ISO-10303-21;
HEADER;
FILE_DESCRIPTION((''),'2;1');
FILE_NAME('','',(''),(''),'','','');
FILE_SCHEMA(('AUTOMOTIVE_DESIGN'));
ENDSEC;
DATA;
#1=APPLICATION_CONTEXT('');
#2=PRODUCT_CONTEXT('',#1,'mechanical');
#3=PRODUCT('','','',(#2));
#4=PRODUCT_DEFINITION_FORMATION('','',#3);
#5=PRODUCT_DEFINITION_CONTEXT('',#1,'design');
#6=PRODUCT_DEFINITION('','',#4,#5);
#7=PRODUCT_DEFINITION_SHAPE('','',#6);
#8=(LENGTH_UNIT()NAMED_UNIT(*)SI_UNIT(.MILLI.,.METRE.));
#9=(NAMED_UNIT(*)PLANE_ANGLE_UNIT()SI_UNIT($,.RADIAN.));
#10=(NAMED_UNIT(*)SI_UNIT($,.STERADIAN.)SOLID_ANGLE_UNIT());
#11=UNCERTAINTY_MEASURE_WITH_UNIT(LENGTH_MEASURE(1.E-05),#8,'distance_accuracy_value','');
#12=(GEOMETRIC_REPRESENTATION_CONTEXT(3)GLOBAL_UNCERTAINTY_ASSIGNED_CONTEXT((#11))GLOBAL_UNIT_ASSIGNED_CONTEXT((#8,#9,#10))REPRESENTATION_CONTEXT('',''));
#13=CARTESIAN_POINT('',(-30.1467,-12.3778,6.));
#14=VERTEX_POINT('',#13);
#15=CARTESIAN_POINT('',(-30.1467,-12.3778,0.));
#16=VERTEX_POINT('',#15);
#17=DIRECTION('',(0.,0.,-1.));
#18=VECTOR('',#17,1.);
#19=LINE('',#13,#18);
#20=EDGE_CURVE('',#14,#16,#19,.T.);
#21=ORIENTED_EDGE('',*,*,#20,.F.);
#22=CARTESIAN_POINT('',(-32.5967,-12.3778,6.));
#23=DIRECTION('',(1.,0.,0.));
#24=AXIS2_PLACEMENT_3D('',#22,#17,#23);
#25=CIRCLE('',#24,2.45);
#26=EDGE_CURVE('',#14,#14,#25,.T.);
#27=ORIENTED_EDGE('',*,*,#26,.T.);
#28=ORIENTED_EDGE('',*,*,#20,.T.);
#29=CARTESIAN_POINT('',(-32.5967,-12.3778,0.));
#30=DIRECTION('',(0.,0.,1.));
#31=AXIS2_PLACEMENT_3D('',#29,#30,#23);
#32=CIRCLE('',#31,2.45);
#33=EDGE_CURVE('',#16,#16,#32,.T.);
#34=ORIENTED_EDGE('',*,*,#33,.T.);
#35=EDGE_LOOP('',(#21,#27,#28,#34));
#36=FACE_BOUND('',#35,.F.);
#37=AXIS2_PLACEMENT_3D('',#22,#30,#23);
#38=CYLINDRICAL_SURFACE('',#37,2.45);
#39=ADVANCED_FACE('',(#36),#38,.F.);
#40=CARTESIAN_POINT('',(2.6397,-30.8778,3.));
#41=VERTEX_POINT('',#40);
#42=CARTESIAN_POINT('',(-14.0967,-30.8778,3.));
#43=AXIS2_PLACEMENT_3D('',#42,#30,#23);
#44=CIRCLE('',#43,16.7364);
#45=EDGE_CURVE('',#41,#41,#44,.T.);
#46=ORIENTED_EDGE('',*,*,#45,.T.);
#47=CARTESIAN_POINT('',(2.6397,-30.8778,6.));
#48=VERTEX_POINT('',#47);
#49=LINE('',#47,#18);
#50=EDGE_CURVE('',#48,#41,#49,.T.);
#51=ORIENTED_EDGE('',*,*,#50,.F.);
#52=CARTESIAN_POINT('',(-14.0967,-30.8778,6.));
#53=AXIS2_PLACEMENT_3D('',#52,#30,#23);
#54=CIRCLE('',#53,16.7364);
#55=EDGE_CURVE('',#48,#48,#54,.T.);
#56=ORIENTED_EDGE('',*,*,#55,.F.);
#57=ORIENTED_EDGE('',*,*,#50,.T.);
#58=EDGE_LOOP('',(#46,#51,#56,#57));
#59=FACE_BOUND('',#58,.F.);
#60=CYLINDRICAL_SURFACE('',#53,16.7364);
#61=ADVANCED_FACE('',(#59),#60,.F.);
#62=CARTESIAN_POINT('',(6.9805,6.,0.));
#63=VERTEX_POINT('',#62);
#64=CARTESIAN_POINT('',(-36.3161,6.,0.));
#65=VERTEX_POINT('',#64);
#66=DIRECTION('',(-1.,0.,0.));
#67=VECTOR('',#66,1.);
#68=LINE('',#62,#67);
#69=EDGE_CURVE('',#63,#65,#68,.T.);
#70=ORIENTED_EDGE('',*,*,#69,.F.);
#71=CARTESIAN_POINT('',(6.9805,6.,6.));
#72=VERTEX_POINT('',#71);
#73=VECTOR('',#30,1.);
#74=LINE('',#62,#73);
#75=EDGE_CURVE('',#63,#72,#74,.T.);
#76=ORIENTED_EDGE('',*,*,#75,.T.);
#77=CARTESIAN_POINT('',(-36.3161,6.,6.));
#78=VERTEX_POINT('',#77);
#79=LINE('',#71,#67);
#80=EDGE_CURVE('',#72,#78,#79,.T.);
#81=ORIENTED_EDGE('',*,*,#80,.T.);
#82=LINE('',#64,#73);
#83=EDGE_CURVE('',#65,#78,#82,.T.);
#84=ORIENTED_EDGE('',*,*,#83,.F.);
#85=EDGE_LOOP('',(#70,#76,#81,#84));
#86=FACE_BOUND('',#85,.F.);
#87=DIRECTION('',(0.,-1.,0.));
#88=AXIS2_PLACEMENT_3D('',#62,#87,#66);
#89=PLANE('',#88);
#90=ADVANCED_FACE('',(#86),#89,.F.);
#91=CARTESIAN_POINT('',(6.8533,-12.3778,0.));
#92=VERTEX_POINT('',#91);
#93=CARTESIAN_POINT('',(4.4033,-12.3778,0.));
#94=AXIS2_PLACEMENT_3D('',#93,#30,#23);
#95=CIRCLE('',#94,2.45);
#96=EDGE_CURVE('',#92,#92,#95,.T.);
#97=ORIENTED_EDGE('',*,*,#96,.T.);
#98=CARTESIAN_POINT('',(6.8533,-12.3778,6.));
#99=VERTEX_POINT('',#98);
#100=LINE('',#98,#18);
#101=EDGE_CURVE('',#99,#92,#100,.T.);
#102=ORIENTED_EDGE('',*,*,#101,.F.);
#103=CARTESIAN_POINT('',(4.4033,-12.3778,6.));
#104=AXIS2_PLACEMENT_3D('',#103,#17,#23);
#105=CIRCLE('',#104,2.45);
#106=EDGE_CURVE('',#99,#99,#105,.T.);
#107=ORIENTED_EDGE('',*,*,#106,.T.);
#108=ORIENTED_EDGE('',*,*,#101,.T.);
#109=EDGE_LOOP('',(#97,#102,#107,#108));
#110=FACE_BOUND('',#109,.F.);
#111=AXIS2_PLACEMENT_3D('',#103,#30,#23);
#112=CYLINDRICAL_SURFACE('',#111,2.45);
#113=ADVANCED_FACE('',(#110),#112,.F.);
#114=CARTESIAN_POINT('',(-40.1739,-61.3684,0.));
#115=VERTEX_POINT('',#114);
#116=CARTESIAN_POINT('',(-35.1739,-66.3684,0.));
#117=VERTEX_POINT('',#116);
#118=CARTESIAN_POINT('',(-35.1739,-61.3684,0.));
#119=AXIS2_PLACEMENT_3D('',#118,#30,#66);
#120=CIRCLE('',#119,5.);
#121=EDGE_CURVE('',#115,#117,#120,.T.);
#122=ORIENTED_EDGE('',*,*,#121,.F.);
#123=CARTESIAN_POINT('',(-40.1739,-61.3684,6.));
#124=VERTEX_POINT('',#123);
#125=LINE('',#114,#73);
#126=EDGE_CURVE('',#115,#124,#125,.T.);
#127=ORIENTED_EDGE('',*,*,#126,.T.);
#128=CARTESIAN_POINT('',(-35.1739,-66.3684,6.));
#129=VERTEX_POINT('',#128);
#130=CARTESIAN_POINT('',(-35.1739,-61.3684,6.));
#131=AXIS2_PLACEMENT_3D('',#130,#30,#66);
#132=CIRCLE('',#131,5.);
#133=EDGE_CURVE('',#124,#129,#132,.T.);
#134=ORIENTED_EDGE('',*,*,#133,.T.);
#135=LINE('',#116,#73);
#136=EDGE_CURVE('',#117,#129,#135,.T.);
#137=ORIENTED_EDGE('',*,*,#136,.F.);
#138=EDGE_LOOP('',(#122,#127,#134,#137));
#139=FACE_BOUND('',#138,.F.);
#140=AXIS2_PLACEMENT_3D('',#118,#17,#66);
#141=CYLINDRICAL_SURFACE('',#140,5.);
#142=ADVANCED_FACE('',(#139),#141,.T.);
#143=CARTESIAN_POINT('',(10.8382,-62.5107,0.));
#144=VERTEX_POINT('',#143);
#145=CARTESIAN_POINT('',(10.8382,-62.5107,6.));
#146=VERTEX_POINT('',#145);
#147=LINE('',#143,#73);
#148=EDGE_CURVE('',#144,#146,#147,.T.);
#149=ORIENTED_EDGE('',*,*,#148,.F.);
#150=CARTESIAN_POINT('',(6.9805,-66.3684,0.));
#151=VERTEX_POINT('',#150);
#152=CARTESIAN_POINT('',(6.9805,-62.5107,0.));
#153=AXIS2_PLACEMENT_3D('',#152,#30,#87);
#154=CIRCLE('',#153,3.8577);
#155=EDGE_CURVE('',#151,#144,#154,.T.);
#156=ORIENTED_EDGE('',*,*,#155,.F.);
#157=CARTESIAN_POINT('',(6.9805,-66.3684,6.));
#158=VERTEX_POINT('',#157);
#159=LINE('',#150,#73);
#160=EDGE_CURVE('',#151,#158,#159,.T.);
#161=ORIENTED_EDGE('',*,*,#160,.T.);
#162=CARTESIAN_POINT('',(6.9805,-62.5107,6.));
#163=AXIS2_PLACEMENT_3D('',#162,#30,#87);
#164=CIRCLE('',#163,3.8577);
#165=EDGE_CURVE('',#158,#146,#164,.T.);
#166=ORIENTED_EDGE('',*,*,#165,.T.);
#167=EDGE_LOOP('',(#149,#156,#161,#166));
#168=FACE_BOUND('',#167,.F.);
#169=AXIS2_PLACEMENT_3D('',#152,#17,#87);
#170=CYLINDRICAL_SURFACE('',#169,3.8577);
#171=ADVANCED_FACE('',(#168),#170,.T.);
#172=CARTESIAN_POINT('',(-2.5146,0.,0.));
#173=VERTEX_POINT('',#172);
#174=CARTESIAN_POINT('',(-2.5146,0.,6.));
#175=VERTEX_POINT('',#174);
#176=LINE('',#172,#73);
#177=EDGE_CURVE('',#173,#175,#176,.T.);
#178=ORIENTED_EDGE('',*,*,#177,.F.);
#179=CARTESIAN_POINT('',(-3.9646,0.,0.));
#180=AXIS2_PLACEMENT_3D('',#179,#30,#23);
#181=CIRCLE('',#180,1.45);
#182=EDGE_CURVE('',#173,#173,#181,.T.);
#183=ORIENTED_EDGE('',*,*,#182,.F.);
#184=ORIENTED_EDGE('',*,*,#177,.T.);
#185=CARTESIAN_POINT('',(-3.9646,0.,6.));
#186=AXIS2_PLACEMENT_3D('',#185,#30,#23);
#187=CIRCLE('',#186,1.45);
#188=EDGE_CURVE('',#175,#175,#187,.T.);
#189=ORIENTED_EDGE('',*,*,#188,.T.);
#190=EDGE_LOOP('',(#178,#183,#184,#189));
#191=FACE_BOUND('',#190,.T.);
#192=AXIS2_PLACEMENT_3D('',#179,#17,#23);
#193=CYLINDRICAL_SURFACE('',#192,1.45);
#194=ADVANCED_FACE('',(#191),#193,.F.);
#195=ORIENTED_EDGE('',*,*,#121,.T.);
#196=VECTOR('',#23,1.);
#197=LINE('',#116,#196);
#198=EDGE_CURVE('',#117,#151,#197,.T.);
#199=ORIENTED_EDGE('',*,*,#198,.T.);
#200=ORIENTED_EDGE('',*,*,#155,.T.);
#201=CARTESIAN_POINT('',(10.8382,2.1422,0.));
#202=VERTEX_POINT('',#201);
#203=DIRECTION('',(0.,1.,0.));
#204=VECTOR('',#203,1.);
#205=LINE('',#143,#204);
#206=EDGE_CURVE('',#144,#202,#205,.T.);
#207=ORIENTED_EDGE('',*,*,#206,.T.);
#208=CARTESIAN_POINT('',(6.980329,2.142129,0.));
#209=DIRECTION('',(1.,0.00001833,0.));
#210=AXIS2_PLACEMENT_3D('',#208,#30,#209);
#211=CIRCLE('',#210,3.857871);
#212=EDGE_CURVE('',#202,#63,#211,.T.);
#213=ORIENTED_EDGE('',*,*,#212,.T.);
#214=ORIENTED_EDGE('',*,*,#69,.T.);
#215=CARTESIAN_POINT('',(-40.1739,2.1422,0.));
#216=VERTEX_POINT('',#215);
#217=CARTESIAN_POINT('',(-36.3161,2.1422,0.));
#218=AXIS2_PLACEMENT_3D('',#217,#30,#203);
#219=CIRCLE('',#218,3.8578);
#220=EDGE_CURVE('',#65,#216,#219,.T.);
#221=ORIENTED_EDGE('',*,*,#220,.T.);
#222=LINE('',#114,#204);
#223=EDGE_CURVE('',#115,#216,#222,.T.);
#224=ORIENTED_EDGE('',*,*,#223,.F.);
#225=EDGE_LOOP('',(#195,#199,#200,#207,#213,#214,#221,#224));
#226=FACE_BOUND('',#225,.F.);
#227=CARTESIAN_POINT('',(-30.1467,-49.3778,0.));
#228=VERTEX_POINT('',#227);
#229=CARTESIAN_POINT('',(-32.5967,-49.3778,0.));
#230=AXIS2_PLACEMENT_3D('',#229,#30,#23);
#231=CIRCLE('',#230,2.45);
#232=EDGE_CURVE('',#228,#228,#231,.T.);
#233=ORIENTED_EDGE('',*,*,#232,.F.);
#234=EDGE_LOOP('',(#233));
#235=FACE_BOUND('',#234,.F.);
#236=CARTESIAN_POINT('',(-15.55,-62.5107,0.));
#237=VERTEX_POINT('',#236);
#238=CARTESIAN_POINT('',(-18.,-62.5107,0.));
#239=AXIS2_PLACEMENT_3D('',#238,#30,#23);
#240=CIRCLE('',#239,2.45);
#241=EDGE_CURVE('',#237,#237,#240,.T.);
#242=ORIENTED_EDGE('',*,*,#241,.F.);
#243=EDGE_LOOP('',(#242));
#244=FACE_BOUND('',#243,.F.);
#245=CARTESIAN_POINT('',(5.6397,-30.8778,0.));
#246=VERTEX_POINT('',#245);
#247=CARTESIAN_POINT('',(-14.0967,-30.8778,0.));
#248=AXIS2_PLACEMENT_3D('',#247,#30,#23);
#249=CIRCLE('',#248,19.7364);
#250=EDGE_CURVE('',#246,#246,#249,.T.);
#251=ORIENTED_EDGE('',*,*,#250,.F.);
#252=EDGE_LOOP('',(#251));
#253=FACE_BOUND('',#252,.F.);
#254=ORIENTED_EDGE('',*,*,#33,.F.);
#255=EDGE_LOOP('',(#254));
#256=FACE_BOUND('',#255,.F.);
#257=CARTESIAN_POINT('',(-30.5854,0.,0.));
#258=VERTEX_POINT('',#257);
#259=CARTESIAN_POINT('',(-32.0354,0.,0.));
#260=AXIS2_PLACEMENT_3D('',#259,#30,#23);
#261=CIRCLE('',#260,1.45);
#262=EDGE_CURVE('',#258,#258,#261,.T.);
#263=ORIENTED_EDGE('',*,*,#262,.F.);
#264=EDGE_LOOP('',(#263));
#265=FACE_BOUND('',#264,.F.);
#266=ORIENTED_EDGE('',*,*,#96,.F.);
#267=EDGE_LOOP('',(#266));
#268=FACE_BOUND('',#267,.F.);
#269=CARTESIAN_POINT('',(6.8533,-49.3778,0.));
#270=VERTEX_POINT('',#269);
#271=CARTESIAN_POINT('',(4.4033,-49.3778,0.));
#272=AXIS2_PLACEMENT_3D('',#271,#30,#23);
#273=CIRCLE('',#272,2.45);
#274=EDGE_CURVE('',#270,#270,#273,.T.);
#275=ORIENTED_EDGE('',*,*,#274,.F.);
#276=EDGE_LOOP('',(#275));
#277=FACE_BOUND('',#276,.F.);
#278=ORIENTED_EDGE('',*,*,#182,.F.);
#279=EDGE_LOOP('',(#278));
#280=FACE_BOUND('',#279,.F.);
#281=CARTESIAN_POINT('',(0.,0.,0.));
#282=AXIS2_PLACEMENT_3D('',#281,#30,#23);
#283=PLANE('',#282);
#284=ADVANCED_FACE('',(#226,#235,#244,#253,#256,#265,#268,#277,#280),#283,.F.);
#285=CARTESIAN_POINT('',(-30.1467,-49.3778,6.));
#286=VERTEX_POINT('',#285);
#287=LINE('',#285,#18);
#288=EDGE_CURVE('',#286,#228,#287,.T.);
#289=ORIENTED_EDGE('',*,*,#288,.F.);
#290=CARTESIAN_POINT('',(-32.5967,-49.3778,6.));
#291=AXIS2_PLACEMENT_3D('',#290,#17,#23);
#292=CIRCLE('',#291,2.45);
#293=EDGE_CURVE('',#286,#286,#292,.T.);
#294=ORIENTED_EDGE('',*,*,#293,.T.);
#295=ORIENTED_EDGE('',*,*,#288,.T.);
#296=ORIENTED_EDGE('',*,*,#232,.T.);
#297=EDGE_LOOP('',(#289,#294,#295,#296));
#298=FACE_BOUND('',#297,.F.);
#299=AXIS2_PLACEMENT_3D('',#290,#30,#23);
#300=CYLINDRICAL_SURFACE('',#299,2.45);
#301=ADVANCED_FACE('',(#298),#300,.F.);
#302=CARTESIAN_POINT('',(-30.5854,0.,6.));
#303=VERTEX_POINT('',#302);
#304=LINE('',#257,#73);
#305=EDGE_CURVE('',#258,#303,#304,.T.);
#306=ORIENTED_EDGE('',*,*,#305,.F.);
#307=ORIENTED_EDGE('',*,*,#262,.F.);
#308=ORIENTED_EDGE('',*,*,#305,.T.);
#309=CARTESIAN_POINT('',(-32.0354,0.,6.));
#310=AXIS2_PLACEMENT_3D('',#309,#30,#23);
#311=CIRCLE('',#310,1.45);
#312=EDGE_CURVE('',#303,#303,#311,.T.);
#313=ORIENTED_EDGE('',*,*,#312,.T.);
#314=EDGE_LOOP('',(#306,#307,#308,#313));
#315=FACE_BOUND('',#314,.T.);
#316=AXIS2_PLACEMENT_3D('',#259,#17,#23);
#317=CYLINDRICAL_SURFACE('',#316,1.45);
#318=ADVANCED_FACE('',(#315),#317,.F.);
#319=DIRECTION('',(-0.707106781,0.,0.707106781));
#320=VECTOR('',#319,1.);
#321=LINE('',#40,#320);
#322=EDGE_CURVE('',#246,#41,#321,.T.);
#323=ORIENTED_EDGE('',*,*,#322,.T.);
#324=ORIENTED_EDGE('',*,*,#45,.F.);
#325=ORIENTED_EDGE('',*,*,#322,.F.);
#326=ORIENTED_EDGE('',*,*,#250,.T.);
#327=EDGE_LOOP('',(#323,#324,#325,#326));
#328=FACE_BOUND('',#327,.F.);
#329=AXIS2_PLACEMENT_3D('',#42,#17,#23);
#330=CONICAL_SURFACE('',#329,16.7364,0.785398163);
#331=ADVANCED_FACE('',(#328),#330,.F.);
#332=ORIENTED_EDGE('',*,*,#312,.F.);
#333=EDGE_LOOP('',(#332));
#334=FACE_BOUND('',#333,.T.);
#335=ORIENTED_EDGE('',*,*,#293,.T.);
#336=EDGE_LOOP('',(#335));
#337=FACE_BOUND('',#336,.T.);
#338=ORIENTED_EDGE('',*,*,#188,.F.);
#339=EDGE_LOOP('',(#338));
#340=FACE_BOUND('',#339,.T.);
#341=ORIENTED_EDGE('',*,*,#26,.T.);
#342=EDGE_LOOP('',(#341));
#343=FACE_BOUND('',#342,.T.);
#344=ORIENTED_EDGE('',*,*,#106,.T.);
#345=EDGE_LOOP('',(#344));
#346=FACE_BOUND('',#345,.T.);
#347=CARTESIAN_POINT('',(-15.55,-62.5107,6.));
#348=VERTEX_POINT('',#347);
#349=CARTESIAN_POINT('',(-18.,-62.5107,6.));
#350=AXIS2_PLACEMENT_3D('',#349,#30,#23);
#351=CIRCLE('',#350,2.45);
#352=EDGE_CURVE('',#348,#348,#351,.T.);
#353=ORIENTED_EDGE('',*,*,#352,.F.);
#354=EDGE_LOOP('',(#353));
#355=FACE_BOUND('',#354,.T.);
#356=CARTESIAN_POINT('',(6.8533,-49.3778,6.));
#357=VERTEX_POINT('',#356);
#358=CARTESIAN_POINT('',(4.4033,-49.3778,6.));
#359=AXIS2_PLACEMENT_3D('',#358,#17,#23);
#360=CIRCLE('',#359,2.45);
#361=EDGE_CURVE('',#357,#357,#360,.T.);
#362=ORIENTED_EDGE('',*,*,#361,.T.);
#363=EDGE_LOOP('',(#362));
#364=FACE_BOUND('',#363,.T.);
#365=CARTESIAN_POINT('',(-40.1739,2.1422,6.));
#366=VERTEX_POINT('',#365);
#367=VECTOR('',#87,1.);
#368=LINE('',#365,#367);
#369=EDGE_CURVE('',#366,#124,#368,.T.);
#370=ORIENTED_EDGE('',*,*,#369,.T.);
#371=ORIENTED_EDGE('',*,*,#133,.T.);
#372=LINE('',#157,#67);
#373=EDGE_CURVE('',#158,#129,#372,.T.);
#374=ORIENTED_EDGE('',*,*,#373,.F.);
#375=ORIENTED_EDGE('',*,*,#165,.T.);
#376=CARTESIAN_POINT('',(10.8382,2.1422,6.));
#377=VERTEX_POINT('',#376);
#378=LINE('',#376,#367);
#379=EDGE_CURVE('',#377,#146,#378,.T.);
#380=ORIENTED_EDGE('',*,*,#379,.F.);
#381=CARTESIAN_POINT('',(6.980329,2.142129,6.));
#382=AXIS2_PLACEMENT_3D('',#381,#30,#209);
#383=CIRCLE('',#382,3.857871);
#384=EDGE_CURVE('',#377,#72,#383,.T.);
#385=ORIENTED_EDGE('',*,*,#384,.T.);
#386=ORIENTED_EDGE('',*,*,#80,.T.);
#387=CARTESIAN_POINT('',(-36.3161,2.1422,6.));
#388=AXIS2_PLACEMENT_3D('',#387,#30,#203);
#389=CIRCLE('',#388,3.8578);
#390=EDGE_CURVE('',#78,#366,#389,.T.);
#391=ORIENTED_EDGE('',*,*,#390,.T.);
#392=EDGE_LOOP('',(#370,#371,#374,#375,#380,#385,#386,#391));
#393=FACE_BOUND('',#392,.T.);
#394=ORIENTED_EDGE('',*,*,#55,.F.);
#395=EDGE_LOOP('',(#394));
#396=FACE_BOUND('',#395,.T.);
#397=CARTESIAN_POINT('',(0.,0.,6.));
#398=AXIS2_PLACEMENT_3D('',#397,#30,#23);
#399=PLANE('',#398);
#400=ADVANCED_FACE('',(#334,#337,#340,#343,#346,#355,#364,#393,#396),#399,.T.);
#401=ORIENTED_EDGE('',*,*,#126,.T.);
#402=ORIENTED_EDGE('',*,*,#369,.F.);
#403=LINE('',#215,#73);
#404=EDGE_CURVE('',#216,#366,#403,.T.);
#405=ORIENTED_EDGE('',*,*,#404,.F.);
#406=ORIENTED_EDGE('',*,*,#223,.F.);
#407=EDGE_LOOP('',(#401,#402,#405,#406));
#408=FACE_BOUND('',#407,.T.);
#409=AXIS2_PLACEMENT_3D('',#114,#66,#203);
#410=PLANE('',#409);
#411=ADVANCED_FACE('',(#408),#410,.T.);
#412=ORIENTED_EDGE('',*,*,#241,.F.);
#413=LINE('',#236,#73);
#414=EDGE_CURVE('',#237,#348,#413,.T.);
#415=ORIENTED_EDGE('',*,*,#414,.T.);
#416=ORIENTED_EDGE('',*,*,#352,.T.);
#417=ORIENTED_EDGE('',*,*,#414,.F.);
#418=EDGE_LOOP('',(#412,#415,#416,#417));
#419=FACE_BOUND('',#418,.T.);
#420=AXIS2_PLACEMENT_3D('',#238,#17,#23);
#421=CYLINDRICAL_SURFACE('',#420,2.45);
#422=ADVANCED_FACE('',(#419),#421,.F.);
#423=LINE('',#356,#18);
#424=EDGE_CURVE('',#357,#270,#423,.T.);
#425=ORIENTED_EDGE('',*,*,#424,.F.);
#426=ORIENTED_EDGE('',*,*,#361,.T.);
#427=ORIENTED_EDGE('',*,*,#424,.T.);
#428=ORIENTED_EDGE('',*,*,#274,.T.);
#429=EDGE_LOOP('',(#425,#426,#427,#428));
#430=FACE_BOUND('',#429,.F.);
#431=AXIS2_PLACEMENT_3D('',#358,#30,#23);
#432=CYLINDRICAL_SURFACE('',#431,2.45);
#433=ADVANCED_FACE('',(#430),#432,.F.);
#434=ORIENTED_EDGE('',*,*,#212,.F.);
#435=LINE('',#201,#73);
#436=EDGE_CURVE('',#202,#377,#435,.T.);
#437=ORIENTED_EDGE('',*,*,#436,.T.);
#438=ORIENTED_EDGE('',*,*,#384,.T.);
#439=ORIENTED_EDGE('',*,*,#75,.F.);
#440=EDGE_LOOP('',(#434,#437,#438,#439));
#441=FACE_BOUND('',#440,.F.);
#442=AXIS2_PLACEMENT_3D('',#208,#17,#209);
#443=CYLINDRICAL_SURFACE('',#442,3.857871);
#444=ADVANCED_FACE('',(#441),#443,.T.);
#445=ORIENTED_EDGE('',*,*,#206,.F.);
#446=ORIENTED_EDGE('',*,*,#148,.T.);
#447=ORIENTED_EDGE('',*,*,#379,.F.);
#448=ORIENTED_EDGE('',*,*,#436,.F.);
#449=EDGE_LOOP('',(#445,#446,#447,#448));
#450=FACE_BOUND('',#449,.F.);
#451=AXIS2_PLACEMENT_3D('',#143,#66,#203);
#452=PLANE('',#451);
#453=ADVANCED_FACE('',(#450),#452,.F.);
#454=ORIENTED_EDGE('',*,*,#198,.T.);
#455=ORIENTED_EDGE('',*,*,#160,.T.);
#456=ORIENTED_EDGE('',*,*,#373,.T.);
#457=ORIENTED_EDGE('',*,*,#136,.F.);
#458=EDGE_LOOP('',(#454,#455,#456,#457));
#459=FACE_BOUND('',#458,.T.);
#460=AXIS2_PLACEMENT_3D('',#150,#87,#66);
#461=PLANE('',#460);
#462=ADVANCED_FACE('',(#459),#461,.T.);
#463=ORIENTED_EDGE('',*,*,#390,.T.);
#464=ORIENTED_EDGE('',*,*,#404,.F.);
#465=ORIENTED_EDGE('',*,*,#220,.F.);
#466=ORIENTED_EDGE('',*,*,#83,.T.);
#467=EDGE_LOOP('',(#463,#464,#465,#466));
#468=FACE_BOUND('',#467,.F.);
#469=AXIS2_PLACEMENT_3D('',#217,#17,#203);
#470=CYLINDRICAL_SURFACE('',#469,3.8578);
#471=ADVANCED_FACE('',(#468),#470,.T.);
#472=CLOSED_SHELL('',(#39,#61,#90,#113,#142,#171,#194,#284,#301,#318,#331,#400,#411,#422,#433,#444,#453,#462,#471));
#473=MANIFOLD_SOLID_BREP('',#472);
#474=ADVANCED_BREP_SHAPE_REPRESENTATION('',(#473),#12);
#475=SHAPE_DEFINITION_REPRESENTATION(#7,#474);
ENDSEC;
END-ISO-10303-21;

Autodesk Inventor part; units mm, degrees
ref_plane "YZ Plane" through (0, 0, 0) normal (1, 0, 0) x (0, 1, 0)
ref_plane "XZ Plane" through (0, 0, 0) normal (0, 1, 0) x (-1, 0, 0)
ref_plane "XY Plane" through (0, 0, 0) normal (0, 0, 1) x (1, 0, 0)
ref_plane "Work Plane1" through (0, 0, 0) normal (0, 0, 1) x (1, 0, 0)
sketch "Sketch1" plane through (0, 0, 0) normal (0, 0, 1) x (1, 0, 0)
  line L0 (10.8382, -62.5107) -> (10.8382, 0.6668)
  line L1 (6.9805, -66.3684) -> (-18, -66.3684)
  line L2 (10.8382, -5.7047) -> (9.6808, -5.7047) construction
  line L3 (10.8382, 0.6668) -> (10.8382, 2.1422)
  line L4 (-40.1739, 0.853) -> (-40.1739, 2.1422)
  line L5 (6.9805, 6) -> (-36.3161, 6)
  circle A0 centre (-3.9646, 0) radius 1.45
  circle A1 centre (-32.0354, 0) radius 1.45
  circle A2 centre (-18, -62.5107) radius 2.45
  arc A3 (-20.665, -65.3) -> (-18, -66.3684) centre (-18, -62.5107) ccw
  arc A4 (6.9805, -66.3684) -> (10.8382, -62.5107) centre (6.9805, -62.5107) ccw
  arc A5 (-36.3161, 6) -> (-40.1739, 2.1422) centre (-36.3161, 2.1422) ccw
  arc A6 (10.8382, 2.1422) -> (6.9805, 6) centre (6.9805, 2.1422) ccw
  line L6 (-18, -66.3684) -> (-35.1739, -66.3684)
  line L7 (-40.1739, -61.3684) -> (-40.1739, 0.853)
  arc A7 (-40.1739, -61.3684) -> (-35.1739, -66.3684) centre (-35.1739, -61.3684) ccw
  point P0 (0, 0)
  point P1 (10.8382, 6)
  point P2 (-40.1739, 6)
  dimension "d6" = 2.9
  dimension "d7" = 2.9
  dimension "d32" = 90
  dimension "d46" = 5
  dimension "d47" = 62.5107
  dimension "d48" = 28.0709
  dimension "d49" = 64.067
extrude "Extrusion1" add sketch "Sketch1" along normal blind 6
sketch "Sketch8" plane through (0, 0, 6) normal (0, 0, 1) x (1, 0, 0)
  circle A0 centre (-18, -62.5107) radius 2.45 projected
  circle A1 centre (-32.0354, 0) radius 1.45 projected
  circle A2 centre (-3.9646, 0) radius 1.45 projected
  line L0 (-35.1739, -66.3684) -> (6.9805, -66.3684) projected
  arc A3 (6.9805, -66.3684) -> (10.8382, -62.5107) centre (6.9805, -62.5107) ccw projected
  line L1 (10.8382, -62.5107) -> (10.8382, 2.1422) projected
  arc A4 (10.8382, 2.1422) -> (6.9805, 6) centre (6.9805, 2.1422) ccw projected
  line L2 (6.9805, 6) -> (-36.3161, 6) projected
  arc A5 (-36.3161, 6) -> (-40.1739, 2.1422) centre (-36.3161, 2.1422) ccw projected
  line L3 (-40.1739, 2.1422) -> (-40.1739, -61.3684) projected
  arc A6 (-40.1739, -61.3684) -> (-35.1739, -66.3684) centre (-35.1739, -61.3684) ccw projected
  circle A7 centre (-14.0967, -30.8778) radius 16.7364
  line L4 (4.4033, -49.3778) -> (-32.5967, -49.3778)
  line L5 (-32.5967, -49.3778) -> (-32.5967, -12.3778)
  line L6 (-32.5967, -12.3778) -> (4.4033, -12.3778)
  line L7 (4.4033, -12.3778) -> (4.4033, -49.3778)
  line L8 (4.4033, -49.3778) -> (-32.5967, -12.3778) construction
  line L9 (-32.5967, -49.3778) -> (4.4033, -12.3778) construction
  circle A8 centre (-32.5967, -12.3778) radius 2.45
  circle A9 centre (4.4033, -12.3778) radius 2.45
  circle A10 centre (4.4033, -49.3778) radius 2.45
  circle A11 centre (-32.5967, -49.3778) radius 2.45
  point P0 (0, 0)
  dimension "d52" = 37
  dimension "d53" = 37
  dimension "d54" = 4.9
  dimension "d55" = 4.9
  dimension "d56" = 4.9
  dimension "d57" = 4.9
extrude "Extrusion7" cut sketch "Sketch8" against normal through all contours A7 | A11 L5 L4 | L4 L5 A11 | A10 L7 L4 | L4 L7 A10 | A8 L6 L5 | L5 L6 A8 | A9 L6 L7 | L7 L6 A9
chamfer "Chamfer3" distance 3 angle 45 1 edges at (-30.8332, -30.8778, 0)
properties part number "cellSTORM_inverted_chiptray_v0"
